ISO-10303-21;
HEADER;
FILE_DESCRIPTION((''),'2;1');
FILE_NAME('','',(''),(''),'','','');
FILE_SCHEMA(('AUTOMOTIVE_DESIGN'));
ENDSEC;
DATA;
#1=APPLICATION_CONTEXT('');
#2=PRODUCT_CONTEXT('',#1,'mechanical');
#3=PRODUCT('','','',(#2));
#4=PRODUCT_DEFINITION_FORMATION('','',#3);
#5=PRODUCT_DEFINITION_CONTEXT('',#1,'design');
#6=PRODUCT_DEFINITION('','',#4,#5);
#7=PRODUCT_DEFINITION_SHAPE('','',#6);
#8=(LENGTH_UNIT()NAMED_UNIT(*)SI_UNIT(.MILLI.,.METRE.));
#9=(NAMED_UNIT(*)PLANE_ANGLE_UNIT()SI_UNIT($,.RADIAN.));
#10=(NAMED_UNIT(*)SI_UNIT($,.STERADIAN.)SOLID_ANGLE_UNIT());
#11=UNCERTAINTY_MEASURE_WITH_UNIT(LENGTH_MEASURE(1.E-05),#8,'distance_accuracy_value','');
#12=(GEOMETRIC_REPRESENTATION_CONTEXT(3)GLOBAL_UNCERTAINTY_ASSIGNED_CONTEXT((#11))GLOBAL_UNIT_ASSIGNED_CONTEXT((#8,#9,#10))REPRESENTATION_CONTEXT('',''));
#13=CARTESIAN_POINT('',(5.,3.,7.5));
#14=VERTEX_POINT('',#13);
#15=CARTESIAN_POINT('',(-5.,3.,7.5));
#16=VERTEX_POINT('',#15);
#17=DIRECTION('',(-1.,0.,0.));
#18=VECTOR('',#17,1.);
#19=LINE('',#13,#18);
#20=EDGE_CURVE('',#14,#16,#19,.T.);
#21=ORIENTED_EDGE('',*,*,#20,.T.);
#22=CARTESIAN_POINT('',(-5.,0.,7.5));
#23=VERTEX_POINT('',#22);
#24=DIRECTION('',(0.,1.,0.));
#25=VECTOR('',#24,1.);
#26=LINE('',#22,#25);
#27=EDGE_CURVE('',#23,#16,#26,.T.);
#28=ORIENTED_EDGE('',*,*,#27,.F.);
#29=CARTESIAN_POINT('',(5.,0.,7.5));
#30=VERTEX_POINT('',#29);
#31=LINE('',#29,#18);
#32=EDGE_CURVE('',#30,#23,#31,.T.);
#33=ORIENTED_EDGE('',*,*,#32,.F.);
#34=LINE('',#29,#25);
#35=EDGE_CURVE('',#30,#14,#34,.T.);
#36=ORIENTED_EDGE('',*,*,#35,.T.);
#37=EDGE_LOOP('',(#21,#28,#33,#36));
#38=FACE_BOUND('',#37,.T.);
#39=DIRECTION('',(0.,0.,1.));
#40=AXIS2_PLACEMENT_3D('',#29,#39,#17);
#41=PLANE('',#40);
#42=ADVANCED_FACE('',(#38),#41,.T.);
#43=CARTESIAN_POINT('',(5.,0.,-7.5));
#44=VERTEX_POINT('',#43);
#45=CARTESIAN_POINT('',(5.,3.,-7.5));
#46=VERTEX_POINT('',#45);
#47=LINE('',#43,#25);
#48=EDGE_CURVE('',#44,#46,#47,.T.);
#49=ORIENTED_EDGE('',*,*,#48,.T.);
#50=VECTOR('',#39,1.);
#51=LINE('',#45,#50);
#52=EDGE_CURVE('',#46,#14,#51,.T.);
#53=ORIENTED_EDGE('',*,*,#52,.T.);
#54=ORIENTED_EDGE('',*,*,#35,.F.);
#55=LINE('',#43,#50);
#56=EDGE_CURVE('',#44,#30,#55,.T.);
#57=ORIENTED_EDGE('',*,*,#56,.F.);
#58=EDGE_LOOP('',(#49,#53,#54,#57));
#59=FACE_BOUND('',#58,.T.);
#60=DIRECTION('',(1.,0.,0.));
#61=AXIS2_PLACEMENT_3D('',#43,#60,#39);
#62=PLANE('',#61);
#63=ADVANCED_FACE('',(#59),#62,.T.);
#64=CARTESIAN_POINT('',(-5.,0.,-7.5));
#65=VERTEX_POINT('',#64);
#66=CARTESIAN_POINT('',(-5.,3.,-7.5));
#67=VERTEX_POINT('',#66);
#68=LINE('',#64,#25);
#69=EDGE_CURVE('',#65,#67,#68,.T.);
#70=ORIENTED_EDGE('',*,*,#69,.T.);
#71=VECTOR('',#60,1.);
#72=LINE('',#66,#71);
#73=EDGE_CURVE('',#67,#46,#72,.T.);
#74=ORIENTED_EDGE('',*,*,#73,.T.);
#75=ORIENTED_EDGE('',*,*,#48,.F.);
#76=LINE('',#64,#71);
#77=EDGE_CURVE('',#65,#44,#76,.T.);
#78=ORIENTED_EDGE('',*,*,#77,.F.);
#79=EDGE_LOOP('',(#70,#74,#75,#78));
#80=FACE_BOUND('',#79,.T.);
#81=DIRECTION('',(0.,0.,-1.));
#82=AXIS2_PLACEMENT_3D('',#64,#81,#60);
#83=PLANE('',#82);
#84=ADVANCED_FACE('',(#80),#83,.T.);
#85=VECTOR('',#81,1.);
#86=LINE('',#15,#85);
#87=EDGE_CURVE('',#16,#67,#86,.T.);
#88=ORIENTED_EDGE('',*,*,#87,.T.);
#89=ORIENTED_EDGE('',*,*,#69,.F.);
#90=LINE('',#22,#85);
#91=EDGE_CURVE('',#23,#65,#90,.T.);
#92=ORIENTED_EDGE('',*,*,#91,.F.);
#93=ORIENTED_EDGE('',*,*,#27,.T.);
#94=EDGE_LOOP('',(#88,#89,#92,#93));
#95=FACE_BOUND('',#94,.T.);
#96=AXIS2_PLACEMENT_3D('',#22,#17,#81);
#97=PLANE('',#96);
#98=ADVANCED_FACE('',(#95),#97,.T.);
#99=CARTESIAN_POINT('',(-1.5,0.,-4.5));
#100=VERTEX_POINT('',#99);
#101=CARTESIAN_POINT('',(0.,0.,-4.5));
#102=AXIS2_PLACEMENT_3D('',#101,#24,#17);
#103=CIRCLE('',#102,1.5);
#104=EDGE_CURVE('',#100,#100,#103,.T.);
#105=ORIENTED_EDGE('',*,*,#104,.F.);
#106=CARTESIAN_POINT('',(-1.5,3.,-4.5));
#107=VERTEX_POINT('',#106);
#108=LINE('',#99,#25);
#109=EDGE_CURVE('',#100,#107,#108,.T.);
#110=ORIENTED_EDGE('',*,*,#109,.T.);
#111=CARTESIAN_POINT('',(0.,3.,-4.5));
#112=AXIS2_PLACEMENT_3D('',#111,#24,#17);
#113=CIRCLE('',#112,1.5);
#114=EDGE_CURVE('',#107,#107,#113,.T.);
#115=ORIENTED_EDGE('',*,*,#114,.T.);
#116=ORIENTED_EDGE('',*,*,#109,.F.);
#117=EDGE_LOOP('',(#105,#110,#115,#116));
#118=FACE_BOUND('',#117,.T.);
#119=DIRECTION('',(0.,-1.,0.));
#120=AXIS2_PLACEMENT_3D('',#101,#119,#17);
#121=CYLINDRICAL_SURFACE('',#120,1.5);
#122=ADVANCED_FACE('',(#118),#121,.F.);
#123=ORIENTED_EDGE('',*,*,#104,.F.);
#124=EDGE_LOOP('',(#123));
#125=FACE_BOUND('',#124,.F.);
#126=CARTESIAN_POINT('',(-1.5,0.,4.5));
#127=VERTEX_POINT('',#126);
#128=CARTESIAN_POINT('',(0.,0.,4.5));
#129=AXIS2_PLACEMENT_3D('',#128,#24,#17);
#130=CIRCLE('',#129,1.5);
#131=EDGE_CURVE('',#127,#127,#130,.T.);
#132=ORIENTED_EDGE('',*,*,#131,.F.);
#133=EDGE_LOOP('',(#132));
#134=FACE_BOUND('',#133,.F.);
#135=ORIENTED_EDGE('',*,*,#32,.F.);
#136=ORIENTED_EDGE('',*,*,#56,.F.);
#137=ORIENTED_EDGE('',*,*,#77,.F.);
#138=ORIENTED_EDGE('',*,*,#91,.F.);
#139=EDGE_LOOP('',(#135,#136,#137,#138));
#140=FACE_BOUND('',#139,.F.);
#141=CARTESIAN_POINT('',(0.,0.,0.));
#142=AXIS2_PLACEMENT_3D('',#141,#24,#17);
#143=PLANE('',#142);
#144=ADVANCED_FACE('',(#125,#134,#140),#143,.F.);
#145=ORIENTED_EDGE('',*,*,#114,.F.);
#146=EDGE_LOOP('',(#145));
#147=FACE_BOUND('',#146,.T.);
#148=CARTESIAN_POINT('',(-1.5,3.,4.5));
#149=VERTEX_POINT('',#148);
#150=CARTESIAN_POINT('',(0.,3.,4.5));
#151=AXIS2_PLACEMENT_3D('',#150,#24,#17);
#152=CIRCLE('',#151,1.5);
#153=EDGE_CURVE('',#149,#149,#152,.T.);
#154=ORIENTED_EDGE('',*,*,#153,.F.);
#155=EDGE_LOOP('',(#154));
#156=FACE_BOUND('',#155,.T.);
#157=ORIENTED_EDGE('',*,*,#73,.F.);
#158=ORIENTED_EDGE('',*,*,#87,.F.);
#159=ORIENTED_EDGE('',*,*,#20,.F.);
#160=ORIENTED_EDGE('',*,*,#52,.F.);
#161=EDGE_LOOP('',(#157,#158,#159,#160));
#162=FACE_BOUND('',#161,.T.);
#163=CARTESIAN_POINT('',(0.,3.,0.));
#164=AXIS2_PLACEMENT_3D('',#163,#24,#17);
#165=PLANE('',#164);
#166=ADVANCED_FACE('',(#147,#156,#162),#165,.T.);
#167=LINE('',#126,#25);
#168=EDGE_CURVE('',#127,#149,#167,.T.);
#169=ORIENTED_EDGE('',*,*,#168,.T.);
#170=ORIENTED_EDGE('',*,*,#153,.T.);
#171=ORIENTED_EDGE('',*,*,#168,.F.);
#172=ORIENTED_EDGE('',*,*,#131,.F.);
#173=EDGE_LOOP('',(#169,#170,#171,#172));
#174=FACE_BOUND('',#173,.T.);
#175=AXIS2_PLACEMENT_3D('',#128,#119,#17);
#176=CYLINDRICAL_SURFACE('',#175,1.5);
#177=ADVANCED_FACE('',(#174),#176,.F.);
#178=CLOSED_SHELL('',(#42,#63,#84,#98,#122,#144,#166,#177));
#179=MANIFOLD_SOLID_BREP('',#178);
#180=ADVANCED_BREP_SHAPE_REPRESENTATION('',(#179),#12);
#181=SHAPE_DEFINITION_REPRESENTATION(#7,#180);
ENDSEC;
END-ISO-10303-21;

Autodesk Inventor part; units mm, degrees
ref_plane "YZ Plane" through (0, 0, 0) normal (1, 0, 0) x (0, 1, 0)
ref_plane "XZ Plane" through (0, 0, 0) normal (0, 1, 0) x (-1, 0, 0)
ref_plane "XY Plane" through (0, 0, 0) normal (0, 0, 1) x (1, 0, 0)
sketch "Sketch1" plane through (0, 0, 0) normal (0, 1, 0) x (-1, 0, 0)
  line L0 (5, -7.5) -> (-5, -7.5)
  line L1 (-5, -7.5) -> (-5, 7.5)
  line L2 (-5, 7.5) -> (5, 7.5)
  line L3 (5, 7.5) -> (5, -7.5)
  line L4 (5, -7.5) -> (-5, 7.5) construction
  line L5 (-5, -7.5) -> (5, 7.5) construction
  circle A0 centre (0, -4.5) radius 1.5
  circle A1 centre (0, 4.5) radius 1.5
  line L6 (0, 4.5) -> (0, 7.5) construction
  line L7 (0, -7.5) -> (0, -4.5) construction
  point P0 (0, 0)
  dimension "d0" = 10
  dimension "d1" = 15
  dimension "d2" = 3
  dimension "d3" = 3
  dimension "d4" = 9
  dimension "d5" = 5
  dimension "d7" = 5
extrude "Extrusion1" add sketch "Sketch1" along normal blind 3
equation "\"d5\" = 0.5 * d0"
equation "\"d7\" = d5"
properties part number "thumper-bumper-plunger-interface"
